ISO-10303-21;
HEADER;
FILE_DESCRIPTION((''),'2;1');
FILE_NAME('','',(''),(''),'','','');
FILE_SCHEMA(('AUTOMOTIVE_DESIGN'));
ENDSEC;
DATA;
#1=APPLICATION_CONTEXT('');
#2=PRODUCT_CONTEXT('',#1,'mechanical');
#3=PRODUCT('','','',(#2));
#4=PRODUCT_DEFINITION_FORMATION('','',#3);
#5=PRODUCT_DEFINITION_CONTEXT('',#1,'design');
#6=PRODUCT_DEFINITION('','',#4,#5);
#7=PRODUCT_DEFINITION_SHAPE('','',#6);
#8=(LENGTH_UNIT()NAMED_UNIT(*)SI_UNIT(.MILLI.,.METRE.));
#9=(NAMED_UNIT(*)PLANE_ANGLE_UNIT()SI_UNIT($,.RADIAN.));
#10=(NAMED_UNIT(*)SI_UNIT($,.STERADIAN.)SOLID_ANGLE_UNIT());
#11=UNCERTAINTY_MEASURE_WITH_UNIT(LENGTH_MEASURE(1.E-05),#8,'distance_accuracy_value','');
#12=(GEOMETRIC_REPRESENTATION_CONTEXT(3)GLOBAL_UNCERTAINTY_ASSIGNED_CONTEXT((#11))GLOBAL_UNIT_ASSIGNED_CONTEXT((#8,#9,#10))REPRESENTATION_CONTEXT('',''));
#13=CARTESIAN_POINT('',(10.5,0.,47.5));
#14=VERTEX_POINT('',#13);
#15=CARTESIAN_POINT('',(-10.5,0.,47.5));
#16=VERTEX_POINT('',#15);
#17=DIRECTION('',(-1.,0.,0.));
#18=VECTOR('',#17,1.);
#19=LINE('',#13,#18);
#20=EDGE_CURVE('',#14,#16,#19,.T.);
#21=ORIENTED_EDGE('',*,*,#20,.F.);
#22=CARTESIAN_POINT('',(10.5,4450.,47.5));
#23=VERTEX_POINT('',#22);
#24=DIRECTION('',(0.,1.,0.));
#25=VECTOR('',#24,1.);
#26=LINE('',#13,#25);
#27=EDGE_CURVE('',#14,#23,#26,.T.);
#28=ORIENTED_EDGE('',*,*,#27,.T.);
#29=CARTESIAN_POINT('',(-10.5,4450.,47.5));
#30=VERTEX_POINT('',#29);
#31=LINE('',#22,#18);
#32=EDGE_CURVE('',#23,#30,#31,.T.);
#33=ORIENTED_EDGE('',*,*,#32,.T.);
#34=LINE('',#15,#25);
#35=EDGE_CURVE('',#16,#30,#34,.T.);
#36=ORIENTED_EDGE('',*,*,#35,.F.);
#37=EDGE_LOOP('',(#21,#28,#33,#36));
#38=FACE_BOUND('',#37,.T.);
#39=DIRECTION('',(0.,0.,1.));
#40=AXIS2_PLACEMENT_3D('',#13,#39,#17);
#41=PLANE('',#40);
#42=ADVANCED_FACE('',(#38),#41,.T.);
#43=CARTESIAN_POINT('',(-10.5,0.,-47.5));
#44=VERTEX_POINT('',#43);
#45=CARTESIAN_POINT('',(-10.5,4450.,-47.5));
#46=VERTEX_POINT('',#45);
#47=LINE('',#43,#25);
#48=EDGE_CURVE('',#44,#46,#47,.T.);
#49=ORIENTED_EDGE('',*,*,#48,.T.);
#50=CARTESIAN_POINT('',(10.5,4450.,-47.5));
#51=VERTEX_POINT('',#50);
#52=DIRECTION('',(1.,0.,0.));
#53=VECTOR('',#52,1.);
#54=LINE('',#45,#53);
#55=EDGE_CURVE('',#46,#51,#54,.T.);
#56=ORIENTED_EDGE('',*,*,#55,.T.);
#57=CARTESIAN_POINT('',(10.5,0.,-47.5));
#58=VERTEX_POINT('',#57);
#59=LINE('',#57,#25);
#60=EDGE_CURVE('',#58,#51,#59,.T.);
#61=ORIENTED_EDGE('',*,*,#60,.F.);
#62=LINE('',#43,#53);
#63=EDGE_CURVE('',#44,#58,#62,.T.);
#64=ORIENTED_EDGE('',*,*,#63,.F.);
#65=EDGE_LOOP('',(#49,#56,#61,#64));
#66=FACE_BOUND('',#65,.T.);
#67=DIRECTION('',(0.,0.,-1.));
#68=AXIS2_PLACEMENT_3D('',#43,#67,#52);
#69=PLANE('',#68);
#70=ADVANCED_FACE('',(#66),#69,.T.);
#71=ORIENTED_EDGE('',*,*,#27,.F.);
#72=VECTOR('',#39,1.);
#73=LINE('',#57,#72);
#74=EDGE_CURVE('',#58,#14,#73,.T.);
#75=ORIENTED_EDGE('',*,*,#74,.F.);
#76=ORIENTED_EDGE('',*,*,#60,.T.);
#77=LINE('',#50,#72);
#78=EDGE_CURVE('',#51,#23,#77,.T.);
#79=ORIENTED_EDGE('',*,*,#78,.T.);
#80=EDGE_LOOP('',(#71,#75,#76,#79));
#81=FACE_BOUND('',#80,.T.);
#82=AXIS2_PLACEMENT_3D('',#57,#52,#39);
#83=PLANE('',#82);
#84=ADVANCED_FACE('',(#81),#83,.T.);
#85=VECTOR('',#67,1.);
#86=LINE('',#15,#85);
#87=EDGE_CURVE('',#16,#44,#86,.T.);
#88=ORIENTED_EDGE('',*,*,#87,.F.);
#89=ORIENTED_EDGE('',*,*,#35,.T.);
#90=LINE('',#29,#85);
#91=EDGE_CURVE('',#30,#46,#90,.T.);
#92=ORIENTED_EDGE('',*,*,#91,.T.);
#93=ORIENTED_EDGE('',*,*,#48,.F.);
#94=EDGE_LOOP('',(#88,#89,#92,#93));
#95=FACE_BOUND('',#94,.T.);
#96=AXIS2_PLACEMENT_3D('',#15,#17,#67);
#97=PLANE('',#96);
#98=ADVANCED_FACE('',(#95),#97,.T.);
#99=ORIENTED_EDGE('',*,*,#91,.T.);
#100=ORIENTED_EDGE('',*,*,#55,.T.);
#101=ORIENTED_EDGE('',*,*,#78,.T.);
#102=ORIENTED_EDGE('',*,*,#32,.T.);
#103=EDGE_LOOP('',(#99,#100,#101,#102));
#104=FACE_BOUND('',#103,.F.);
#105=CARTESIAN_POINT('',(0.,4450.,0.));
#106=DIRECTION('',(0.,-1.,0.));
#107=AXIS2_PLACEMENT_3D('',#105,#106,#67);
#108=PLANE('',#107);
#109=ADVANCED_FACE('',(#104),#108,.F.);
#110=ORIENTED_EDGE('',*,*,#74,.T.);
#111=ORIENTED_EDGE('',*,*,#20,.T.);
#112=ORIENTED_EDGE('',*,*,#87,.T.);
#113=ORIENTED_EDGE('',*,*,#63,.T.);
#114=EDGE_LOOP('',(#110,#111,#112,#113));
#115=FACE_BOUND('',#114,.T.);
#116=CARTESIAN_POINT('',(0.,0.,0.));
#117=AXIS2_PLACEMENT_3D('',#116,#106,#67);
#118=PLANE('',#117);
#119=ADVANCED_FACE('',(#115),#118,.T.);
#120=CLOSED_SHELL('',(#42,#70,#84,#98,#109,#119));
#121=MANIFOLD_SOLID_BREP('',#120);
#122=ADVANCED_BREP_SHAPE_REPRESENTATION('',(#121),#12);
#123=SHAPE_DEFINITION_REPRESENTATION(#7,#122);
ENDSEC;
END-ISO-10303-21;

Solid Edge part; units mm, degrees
sketch "Sketch1" plane through (0, 0, 0) normal (0, -1, 0) x (1, 0, 0)
  line L0 (-10.5, -47.5) -> (10.5, -47.5)
  line L1 (10.5, -47.5) -> (10.5, 47.5)
  line L2 (10.5, 47.5) -> (-10.5, 47.5)
  line L3 (-10.5, 47.5) -> (-10.5, -47.5)
extrude "Protrusion1" add sketch "Sketch1" against normal blind 4450
